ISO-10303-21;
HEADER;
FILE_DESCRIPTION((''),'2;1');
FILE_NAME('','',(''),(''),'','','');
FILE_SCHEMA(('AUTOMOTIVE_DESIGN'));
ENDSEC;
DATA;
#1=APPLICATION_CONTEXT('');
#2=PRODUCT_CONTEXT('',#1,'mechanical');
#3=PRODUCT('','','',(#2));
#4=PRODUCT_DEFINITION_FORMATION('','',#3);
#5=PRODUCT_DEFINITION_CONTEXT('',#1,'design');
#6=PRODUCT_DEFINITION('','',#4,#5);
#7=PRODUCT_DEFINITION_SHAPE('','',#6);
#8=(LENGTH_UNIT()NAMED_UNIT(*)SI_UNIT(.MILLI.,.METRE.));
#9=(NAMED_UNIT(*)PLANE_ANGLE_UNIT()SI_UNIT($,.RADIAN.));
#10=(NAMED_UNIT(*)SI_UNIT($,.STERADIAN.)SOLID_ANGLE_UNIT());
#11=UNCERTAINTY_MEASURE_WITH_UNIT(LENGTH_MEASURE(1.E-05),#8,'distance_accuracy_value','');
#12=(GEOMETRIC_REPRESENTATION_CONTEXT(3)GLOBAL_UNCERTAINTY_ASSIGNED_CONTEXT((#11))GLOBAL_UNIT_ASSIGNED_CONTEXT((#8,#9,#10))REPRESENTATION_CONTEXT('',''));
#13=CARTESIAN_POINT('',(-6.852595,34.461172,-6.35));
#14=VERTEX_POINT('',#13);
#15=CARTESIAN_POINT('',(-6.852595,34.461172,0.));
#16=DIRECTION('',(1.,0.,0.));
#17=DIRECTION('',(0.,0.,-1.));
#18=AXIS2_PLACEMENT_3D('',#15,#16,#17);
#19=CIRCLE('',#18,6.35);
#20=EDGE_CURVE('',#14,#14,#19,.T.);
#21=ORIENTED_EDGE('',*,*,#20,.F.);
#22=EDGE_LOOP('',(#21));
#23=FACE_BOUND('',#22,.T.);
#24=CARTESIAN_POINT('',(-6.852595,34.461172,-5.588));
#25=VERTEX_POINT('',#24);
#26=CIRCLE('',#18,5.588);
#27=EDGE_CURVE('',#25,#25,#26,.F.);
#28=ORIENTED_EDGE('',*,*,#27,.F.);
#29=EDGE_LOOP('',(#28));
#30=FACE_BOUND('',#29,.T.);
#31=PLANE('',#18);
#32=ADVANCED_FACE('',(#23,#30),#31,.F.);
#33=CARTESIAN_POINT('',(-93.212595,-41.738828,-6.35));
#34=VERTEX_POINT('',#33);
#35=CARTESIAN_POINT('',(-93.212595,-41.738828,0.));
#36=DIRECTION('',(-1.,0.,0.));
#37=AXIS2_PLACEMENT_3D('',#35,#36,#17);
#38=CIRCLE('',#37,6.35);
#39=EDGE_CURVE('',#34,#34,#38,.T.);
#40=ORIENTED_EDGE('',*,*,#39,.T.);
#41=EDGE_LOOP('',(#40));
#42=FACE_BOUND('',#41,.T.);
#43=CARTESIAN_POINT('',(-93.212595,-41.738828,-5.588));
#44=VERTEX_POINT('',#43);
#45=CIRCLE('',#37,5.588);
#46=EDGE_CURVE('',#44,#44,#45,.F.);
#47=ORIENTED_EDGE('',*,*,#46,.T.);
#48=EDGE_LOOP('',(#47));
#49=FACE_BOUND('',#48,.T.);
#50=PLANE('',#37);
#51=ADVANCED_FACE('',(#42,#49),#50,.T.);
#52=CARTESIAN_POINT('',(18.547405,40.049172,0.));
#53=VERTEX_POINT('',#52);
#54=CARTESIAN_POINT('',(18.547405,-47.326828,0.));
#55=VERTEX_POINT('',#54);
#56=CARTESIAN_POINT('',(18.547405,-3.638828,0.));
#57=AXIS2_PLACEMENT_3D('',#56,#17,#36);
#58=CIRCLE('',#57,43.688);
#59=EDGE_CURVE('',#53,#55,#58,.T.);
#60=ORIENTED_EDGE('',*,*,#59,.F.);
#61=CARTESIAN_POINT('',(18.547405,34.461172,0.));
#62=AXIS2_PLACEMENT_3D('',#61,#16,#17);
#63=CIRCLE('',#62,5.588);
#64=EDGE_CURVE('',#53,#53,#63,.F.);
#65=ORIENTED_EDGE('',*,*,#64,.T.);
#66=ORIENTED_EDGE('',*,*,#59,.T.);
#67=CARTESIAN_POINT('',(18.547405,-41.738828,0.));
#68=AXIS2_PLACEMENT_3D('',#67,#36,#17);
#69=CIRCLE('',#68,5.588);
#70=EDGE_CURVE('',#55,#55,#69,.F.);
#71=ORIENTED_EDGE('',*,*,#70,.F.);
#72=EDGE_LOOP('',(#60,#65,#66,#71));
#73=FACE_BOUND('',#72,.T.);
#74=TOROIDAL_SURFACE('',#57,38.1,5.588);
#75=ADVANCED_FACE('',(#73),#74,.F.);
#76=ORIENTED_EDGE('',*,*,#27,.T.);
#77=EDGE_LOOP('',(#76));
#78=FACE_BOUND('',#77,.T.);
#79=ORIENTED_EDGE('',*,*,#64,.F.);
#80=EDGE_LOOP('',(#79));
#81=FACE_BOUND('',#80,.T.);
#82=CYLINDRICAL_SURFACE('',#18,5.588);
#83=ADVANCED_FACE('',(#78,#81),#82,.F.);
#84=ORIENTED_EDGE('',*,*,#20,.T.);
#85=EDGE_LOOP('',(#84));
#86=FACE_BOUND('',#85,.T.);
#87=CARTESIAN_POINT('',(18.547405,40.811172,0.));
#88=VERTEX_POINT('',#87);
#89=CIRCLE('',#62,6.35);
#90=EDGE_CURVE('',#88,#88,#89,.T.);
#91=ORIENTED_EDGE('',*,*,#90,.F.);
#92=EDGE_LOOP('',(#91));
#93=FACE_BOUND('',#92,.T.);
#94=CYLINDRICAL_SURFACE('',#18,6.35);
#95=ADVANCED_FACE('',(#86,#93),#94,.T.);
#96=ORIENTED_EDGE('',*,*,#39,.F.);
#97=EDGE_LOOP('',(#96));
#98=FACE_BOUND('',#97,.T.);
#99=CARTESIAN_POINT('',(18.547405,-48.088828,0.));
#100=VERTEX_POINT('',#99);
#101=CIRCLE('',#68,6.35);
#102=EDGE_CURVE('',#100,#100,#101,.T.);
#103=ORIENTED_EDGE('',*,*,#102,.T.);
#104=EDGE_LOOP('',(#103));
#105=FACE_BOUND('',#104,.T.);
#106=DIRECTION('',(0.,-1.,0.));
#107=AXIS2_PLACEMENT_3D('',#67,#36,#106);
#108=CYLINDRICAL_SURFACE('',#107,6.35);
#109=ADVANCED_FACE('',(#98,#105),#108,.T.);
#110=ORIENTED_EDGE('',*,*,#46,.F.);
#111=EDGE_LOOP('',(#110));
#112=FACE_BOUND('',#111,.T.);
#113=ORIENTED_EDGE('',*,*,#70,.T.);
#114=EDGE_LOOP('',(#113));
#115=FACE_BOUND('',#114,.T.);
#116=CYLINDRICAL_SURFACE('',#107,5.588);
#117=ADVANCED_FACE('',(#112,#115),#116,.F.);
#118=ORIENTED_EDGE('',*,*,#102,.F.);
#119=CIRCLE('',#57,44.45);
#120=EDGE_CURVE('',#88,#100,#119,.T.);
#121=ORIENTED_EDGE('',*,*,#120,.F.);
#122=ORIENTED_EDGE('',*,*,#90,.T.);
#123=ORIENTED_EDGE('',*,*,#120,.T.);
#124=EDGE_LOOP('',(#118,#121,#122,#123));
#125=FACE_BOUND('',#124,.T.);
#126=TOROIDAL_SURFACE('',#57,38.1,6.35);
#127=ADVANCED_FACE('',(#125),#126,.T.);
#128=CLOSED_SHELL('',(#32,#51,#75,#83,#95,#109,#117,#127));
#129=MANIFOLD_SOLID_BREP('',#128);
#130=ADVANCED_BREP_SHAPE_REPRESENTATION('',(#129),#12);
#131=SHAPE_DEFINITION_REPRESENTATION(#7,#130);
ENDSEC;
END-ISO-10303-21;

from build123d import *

# Parameters (mm, degrees)
SKETCH2_R   = 6.35
SKETCH2_R_2 = 5.588


with BuildPart() as part:
    # Sweep1: sweep along a path in Sketch1
    with BuildLine(Plane.XY) as sweep1_path:
        Line((-6.852595047, 34.461171999), (18.547404953, 34.461171999))
        ThreePointArc((18.547404953, 34.461171999), (56.647404953, -3.638828001), (18.547404953, -41.738828001))
        Line((18.547404953, -41.738828001), (-93.212595047, -41.738828001))
    # Sketch2 → Sweep1 (sweep)
    with BuildSketch(Plane(origin=(-6.852595047, 34.461171999, 0), x_dir=(0, 0, -1), z_dir=(1, 0, 0))):
        Circle(SKETCH2_R)
        Circle(SKETCH2_R_2, mode=Mode.SUBTRACT)
    sweep(path=sweep1_path.line)


solid = part.part
